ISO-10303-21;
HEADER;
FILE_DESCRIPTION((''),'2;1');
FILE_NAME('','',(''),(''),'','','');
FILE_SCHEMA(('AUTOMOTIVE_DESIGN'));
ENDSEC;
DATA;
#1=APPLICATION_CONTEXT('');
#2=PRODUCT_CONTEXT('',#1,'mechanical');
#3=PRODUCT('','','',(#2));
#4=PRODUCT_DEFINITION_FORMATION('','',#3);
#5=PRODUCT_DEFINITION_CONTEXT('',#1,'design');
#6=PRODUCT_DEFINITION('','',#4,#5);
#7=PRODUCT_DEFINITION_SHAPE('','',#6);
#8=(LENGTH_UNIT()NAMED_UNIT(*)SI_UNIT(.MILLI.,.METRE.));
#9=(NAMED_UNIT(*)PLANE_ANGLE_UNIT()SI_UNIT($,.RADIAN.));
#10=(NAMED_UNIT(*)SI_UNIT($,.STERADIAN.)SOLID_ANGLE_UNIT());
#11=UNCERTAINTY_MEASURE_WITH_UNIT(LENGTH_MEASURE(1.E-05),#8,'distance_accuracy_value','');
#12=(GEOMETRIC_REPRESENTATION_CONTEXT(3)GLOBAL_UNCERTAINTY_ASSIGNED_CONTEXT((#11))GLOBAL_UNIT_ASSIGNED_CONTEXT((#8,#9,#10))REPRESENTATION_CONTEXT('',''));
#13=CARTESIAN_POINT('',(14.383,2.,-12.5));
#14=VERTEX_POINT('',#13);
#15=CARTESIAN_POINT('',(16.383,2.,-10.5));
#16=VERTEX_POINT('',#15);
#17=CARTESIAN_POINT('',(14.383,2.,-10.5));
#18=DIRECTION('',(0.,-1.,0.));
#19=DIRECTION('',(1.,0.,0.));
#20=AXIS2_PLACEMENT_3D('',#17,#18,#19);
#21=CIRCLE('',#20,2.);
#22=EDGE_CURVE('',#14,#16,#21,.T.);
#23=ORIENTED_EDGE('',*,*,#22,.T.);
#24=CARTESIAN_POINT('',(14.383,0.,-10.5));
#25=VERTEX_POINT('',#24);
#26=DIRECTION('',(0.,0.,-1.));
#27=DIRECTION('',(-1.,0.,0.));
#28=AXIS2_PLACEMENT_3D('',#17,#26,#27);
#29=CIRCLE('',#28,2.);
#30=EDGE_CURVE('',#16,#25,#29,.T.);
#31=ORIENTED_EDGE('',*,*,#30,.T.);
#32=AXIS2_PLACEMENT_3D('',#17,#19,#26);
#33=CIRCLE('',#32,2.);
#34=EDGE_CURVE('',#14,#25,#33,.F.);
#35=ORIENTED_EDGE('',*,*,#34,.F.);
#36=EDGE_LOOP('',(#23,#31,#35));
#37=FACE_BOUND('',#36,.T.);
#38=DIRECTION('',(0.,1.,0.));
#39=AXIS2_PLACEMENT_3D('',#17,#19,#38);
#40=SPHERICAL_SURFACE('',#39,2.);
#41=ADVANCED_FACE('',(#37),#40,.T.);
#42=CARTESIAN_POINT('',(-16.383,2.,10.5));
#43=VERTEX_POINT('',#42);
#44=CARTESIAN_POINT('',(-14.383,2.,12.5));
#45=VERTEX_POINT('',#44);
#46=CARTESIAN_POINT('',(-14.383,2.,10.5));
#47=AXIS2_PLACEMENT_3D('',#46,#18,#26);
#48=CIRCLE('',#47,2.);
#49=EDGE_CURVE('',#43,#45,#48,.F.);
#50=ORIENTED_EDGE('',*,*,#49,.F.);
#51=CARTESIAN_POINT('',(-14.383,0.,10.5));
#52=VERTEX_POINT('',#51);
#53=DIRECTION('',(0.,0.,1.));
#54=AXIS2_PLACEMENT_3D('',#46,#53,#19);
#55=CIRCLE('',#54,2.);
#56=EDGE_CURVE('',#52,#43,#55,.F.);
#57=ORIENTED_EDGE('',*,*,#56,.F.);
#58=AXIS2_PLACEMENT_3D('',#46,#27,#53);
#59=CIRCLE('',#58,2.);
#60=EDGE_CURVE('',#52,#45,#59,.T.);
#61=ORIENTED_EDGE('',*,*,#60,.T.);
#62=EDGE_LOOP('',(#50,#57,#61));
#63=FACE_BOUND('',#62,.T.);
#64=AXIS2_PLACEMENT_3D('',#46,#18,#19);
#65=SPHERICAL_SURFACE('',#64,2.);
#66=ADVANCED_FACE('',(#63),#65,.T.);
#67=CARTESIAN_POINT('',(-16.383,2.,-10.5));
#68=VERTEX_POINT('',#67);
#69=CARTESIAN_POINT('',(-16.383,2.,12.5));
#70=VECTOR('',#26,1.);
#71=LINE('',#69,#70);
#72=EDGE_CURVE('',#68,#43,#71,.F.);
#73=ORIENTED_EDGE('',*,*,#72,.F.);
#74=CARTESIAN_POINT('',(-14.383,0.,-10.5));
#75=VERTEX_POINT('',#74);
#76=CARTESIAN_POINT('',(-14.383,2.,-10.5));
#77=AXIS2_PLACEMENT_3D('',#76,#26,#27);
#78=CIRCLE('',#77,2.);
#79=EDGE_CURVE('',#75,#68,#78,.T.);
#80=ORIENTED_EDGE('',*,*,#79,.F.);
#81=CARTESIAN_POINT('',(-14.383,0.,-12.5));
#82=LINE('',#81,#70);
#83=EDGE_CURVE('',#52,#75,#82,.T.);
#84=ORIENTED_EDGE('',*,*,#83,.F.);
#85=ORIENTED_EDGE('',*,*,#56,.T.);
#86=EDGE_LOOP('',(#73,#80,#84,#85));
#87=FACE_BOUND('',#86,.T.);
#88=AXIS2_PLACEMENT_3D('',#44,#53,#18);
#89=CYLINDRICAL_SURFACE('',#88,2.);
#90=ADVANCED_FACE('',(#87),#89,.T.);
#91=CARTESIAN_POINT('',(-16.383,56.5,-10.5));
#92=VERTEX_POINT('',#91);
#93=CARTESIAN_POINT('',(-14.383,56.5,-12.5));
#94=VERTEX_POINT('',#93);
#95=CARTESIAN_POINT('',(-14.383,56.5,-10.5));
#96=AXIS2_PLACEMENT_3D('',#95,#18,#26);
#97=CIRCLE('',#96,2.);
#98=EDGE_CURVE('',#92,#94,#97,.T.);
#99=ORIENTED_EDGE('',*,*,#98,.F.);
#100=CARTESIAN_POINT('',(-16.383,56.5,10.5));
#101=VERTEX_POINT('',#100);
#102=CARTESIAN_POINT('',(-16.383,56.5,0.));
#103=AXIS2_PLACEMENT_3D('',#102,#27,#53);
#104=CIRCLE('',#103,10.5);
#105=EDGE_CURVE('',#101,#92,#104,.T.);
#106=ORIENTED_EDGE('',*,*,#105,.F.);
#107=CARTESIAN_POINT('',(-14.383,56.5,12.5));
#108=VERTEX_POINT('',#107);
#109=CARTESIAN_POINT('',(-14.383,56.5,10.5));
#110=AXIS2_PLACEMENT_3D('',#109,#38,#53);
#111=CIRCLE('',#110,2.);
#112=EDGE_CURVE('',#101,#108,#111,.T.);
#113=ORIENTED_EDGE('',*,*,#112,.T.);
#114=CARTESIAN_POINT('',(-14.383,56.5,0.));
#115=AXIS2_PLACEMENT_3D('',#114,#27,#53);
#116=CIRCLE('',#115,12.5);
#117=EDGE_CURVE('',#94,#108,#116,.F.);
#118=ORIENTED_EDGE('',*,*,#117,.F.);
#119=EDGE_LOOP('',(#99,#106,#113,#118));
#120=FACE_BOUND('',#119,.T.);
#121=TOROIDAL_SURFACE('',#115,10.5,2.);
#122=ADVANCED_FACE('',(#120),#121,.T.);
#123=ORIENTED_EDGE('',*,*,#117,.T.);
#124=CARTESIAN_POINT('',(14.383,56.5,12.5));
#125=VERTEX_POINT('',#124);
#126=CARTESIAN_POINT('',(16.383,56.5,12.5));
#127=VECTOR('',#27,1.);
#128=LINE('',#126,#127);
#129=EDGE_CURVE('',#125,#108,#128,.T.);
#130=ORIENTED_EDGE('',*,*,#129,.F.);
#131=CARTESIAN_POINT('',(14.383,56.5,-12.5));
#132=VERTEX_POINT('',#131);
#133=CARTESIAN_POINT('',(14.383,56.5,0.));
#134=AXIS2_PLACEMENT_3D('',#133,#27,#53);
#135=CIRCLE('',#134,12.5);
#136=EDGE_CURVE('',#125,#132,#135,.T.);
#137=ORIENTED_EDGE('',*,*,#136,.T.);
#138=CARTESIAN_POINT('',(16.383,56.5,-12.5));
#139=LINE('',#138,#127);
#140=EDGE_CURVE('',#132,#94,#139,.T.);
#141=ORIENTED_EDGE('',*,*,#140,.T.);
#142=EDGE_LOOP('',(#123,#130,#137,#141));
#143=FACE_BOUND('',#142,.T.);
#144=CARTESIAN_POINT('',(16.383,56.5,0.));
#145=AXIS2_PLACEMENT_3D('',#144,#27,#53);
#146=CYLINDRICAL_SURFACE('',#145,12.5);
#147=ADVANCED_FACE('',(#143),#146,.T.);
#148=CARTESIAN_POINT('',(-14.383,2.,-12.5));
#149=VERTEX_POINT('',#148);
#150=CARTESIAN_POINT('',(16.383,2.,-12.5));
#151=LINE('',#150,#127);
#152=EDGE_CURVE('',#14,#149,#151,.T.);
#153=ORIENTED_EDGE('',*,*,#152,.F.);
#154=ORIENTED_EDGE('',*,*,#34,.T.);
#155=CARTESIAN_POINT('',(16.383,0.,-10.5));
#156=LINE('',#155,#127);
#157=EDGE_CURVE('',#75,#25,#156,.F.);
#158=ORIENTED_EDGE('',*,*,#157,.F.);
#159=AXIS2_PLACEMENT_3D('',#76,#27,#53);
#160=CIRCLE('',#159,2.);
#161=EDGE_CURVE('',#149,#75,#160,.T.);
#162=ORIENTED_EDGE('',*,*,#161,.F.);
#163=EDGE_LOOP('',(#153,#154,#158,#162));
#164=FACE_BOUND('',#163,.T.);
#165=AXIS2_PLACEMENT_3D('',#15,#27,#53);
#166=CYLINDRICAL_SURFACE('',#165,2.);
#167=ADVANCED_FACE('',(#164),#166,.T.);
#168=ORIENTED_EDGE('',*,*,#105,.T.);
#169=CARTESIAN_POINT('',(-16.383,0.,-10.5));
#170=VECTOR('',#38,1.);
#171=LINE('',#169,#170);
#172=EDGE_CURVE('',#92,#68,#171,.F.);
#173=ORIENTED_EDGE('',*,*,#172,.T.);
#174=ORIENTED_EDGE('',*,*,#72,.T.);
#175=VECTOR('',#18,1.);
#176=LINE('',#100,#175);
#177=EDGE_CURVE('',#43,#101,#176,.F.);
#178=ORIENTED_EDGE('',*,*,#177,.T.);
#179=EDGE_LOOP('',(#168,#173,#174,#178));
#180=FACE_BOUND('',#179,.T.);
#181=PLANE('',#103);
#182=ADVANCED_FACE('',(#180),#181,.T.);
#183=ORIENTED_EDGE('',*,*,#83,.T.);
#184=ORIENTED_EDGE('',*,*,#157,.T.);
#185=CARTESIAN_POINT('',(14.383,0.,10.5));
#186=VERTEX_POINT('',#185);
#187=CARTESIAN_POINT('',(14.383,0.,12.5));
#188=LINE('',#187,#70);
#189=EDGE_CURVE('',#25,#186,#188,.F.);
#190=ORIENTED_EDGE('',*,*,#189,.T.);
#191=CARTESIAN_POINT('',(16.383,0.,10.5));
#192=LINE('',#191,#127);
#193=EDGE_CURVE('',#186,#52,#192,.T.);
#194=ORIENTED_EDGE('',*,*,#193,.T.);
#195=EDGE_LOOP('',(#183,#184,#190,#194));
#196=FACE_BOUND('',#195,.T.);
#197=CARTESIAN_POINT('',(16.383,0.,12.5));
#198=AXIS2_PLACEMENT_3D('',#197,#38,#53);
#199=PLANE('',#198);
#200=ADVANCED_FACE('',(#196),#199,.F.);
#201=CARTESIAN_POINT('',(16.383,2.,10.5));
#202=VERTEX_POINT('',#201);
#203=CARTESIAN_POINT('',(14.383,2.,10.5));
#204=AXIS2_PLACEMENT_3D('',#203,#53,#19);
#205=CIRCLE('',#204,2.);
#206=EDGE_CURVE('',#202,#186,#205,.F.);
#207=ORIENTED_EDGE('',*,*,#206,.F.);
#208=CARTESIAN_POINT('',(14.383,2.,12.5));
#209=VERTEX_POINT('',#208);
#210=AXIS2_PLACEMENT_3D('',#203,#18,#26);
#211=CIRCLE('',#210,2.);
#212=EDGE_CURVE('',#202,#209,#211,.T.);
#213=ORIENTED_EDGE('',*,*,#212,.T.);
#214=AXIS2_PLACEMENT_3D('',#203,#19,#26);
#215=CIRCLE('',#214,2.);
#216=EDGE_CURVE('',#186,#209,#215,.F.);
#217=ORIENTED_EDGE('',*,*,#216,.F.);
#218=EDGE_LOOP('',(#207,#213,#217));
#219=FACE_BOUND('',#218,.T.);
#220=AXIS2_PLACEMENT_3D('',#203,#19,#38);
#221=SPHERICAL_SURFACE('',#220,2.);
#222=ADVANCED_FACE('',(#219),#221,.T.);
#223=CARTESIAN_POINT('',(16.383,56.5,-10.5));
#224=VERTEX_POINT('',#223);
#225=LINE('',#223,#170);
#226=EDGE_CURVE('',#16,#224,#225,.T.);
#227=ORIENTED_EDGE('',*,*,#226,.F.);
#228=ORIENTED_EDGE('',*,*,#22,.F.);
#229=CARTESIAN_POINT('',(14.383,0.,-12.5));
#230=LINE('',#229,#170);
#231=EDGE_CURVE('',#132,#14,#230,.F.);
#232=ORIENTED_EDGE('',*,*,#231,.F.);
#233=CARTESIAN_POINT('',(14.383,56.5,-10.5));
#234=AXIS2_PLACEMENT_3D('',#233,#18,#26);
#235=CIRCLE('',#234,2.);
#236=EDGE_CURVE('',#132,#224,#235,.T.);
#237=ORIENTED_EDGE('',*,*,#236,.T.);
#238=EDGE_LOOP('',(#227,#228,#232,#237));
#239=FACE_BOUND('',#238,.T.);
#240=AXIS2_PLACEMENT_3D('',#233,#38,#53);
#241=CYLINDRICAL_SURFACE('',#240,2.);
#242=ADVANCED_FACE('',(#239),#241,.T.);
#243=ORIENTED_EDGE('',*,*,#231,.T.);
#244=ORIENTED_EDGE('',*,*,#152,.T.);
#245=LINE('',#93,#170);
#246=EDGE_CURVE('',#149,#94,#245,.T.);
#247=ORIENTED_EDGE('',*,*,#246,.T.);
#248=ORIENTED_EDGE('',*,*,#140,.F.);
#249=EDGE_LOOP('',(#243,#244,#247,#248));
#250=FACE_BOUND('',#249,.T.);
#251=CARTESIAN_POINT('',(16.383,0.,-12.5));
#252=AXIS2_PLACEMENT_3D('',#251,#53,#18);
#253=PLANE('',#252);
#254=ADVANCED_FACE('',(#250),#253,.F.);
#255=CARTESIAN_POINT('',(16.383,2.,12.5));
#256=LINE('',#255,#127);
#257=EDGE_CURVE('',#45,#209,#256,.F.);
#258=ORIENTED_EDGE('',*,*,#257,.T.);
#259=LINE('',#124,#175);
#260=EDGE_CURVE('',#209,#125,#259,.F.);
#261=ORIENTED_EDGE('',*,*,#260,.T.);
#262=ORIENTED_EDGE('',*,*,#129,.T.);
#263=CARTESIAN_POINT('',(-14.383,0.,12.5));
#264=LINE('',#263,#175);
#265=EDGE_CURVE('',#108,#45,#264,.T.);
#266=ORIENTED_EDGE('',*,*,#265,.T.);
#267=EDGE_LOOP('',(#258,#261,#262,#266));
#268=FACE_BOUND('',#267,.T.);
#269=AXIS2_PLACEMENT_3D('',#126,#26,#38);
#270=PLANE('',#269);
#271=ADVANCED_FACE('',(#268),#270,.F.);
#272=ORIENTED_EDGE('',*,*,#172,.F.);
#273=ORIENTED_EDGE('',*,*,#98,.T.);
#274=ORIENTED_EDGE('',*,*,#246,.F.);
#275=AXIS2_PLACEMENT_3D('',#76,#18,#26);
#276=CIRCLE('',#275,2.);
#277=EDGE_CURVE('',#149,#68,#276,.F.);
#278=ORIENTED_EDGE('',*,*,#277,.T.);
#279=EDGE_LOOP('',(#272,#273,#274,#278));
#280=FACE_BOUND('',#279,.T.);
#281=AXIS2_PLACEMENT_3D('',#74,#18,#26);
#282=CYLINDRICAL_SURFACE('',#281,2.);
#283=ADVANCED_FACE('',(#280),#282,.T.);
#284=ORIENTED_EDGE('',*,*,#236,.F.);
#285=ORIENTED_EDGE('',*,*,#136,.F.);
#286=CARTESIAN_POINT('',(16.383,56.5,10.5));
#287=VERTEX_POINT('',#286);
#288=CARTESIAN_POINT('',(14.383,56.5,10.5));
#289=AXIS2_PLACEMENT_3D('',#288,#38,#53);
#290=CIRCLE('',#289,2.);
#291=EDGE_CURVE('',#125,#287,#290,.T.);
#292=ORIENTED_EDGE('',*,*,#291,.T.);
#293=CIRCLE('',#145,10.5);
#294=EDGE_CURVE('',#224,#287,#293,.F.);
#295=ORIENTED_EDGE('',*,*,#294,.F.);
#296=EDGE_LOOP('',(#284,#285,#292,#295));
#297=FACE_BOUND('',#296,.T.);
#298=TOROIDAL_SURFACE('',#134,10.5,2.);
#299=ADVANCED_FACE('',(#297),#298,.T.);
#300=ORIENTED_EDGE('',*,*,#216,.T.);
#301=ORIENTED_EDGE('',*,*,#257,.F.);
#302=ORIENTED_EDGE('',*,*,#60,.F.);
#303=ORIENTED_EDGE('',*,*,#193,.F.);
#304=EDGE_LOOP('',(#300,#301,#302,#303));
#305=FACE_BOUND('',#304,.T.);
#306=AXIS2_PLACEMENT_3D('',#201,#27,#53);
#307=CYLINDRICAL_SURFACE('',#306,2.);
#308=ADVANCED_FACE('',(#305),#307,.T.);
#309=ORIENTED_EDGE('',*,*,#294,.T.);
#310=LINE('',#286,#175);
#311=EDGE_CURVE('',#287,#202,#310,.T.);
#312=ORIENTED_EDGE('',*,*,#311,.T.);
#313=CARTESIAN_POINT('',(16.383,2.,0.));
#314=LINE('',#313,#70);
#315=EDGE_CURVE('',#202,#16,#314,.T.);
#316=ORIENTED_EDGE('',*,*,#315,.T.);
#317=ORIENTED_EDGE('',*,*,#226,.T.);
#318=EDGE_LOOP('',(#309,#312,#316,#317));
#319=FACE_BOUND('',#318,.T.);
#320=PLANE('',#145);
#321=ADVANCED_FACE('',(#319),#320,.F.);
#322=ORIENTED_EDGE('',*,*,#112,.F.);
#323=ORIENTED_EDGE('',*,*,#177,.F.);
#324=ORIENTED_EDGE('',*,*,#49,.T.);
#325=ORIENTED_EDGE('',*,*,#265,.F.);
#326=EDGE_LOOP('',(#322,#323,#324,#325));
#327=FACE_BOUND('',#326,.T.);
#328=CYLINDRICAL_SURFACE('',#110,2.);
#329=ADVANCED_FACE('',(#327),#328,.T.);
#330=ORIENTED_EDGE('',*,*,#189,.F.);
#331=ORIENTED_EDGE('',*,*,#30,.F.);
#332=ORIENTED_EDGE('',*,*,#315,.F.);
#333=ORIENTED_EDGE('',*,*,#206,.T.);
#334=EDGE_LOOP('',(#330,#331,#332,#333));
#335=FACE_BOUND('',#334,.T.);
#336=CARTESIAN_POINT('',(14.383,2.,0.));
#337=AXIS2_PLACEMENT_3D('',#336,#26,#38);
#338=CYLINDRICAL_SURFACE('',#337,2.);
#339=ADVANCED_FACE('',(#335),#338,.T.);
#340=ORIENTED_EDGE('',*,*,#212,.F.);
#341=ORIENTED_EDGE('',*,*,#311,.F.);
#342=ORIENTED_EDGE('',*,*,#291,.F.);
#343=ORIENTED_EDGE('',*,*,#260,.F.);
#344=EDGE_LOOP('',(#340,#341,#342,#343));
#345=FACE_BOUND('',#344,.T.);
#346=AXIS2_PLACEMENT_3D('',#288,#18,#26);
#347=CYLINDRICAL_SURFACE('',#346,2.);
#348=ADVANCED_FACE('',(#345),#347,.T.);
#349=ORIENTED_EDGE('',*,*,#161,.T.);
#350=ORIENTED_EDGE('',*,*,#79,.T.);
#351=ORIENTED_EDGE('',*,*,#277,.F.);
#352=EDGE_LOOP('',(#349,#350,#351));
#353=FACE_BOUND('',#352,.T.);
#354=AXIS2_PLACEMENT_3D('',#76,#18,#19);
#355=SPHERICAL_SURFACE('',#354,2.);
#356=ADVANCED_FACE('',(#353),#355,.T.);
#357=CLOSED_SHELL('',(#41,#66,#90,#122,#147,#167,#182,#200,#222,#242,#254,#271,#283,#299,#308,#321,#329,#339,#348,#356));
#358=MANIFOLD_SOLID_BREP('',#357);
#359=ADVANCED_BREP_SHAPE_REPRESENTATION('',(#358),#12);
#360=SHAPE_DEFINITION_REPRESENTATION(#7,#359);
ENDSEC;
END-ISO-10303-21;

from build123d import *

# Parameters (mm, degrees)
BOSS_EXTRUDE1_DEPTH = 16.383
FILLET1_R           = 2


with BuildPart() as part:
    # Sketch1 → Boss-Extrude1 (new, symmetric)
    with BuildSketch(Plane(origin=(0, 0, 0), x_dir=(0, 0, -1), z_dir=(1, 0, 0))):
        with BuildLine():
            Line((-12.5, 56.5), (-12.5, 0))
            Line((-12.5, 0), (12.5, 0))
            Line((12.5, 0), (12.5, 56.5))
            ThreePointArc((12.5, 56.5), (0, 69), (-12.5, 56.5))
        make_face()
    extrude(amount=BOSS_EXTRUDE1_DEPTH, both=True)

    # Fillet1
    fillet1_edges = [part.edges().sort_by_distance(p)[0] for p in [
        (16.383, 0, 0),
        (16.383, 28.25, -12.5),
        (16.383, 69, 0),
        (-16.383, 28.25, -12.5),
        (-16.383, 0, 0),
        (-16.383, 28.25, 12.5),
        (-16.383, 69, 0),
        (0, 0, -12.5),
        (0, 0, 12.5),
        (16.383, 28.25, 12.5),
    ]]
    fillet(fillet1_edges, radius=FILLET1_R)


solid = part.part
